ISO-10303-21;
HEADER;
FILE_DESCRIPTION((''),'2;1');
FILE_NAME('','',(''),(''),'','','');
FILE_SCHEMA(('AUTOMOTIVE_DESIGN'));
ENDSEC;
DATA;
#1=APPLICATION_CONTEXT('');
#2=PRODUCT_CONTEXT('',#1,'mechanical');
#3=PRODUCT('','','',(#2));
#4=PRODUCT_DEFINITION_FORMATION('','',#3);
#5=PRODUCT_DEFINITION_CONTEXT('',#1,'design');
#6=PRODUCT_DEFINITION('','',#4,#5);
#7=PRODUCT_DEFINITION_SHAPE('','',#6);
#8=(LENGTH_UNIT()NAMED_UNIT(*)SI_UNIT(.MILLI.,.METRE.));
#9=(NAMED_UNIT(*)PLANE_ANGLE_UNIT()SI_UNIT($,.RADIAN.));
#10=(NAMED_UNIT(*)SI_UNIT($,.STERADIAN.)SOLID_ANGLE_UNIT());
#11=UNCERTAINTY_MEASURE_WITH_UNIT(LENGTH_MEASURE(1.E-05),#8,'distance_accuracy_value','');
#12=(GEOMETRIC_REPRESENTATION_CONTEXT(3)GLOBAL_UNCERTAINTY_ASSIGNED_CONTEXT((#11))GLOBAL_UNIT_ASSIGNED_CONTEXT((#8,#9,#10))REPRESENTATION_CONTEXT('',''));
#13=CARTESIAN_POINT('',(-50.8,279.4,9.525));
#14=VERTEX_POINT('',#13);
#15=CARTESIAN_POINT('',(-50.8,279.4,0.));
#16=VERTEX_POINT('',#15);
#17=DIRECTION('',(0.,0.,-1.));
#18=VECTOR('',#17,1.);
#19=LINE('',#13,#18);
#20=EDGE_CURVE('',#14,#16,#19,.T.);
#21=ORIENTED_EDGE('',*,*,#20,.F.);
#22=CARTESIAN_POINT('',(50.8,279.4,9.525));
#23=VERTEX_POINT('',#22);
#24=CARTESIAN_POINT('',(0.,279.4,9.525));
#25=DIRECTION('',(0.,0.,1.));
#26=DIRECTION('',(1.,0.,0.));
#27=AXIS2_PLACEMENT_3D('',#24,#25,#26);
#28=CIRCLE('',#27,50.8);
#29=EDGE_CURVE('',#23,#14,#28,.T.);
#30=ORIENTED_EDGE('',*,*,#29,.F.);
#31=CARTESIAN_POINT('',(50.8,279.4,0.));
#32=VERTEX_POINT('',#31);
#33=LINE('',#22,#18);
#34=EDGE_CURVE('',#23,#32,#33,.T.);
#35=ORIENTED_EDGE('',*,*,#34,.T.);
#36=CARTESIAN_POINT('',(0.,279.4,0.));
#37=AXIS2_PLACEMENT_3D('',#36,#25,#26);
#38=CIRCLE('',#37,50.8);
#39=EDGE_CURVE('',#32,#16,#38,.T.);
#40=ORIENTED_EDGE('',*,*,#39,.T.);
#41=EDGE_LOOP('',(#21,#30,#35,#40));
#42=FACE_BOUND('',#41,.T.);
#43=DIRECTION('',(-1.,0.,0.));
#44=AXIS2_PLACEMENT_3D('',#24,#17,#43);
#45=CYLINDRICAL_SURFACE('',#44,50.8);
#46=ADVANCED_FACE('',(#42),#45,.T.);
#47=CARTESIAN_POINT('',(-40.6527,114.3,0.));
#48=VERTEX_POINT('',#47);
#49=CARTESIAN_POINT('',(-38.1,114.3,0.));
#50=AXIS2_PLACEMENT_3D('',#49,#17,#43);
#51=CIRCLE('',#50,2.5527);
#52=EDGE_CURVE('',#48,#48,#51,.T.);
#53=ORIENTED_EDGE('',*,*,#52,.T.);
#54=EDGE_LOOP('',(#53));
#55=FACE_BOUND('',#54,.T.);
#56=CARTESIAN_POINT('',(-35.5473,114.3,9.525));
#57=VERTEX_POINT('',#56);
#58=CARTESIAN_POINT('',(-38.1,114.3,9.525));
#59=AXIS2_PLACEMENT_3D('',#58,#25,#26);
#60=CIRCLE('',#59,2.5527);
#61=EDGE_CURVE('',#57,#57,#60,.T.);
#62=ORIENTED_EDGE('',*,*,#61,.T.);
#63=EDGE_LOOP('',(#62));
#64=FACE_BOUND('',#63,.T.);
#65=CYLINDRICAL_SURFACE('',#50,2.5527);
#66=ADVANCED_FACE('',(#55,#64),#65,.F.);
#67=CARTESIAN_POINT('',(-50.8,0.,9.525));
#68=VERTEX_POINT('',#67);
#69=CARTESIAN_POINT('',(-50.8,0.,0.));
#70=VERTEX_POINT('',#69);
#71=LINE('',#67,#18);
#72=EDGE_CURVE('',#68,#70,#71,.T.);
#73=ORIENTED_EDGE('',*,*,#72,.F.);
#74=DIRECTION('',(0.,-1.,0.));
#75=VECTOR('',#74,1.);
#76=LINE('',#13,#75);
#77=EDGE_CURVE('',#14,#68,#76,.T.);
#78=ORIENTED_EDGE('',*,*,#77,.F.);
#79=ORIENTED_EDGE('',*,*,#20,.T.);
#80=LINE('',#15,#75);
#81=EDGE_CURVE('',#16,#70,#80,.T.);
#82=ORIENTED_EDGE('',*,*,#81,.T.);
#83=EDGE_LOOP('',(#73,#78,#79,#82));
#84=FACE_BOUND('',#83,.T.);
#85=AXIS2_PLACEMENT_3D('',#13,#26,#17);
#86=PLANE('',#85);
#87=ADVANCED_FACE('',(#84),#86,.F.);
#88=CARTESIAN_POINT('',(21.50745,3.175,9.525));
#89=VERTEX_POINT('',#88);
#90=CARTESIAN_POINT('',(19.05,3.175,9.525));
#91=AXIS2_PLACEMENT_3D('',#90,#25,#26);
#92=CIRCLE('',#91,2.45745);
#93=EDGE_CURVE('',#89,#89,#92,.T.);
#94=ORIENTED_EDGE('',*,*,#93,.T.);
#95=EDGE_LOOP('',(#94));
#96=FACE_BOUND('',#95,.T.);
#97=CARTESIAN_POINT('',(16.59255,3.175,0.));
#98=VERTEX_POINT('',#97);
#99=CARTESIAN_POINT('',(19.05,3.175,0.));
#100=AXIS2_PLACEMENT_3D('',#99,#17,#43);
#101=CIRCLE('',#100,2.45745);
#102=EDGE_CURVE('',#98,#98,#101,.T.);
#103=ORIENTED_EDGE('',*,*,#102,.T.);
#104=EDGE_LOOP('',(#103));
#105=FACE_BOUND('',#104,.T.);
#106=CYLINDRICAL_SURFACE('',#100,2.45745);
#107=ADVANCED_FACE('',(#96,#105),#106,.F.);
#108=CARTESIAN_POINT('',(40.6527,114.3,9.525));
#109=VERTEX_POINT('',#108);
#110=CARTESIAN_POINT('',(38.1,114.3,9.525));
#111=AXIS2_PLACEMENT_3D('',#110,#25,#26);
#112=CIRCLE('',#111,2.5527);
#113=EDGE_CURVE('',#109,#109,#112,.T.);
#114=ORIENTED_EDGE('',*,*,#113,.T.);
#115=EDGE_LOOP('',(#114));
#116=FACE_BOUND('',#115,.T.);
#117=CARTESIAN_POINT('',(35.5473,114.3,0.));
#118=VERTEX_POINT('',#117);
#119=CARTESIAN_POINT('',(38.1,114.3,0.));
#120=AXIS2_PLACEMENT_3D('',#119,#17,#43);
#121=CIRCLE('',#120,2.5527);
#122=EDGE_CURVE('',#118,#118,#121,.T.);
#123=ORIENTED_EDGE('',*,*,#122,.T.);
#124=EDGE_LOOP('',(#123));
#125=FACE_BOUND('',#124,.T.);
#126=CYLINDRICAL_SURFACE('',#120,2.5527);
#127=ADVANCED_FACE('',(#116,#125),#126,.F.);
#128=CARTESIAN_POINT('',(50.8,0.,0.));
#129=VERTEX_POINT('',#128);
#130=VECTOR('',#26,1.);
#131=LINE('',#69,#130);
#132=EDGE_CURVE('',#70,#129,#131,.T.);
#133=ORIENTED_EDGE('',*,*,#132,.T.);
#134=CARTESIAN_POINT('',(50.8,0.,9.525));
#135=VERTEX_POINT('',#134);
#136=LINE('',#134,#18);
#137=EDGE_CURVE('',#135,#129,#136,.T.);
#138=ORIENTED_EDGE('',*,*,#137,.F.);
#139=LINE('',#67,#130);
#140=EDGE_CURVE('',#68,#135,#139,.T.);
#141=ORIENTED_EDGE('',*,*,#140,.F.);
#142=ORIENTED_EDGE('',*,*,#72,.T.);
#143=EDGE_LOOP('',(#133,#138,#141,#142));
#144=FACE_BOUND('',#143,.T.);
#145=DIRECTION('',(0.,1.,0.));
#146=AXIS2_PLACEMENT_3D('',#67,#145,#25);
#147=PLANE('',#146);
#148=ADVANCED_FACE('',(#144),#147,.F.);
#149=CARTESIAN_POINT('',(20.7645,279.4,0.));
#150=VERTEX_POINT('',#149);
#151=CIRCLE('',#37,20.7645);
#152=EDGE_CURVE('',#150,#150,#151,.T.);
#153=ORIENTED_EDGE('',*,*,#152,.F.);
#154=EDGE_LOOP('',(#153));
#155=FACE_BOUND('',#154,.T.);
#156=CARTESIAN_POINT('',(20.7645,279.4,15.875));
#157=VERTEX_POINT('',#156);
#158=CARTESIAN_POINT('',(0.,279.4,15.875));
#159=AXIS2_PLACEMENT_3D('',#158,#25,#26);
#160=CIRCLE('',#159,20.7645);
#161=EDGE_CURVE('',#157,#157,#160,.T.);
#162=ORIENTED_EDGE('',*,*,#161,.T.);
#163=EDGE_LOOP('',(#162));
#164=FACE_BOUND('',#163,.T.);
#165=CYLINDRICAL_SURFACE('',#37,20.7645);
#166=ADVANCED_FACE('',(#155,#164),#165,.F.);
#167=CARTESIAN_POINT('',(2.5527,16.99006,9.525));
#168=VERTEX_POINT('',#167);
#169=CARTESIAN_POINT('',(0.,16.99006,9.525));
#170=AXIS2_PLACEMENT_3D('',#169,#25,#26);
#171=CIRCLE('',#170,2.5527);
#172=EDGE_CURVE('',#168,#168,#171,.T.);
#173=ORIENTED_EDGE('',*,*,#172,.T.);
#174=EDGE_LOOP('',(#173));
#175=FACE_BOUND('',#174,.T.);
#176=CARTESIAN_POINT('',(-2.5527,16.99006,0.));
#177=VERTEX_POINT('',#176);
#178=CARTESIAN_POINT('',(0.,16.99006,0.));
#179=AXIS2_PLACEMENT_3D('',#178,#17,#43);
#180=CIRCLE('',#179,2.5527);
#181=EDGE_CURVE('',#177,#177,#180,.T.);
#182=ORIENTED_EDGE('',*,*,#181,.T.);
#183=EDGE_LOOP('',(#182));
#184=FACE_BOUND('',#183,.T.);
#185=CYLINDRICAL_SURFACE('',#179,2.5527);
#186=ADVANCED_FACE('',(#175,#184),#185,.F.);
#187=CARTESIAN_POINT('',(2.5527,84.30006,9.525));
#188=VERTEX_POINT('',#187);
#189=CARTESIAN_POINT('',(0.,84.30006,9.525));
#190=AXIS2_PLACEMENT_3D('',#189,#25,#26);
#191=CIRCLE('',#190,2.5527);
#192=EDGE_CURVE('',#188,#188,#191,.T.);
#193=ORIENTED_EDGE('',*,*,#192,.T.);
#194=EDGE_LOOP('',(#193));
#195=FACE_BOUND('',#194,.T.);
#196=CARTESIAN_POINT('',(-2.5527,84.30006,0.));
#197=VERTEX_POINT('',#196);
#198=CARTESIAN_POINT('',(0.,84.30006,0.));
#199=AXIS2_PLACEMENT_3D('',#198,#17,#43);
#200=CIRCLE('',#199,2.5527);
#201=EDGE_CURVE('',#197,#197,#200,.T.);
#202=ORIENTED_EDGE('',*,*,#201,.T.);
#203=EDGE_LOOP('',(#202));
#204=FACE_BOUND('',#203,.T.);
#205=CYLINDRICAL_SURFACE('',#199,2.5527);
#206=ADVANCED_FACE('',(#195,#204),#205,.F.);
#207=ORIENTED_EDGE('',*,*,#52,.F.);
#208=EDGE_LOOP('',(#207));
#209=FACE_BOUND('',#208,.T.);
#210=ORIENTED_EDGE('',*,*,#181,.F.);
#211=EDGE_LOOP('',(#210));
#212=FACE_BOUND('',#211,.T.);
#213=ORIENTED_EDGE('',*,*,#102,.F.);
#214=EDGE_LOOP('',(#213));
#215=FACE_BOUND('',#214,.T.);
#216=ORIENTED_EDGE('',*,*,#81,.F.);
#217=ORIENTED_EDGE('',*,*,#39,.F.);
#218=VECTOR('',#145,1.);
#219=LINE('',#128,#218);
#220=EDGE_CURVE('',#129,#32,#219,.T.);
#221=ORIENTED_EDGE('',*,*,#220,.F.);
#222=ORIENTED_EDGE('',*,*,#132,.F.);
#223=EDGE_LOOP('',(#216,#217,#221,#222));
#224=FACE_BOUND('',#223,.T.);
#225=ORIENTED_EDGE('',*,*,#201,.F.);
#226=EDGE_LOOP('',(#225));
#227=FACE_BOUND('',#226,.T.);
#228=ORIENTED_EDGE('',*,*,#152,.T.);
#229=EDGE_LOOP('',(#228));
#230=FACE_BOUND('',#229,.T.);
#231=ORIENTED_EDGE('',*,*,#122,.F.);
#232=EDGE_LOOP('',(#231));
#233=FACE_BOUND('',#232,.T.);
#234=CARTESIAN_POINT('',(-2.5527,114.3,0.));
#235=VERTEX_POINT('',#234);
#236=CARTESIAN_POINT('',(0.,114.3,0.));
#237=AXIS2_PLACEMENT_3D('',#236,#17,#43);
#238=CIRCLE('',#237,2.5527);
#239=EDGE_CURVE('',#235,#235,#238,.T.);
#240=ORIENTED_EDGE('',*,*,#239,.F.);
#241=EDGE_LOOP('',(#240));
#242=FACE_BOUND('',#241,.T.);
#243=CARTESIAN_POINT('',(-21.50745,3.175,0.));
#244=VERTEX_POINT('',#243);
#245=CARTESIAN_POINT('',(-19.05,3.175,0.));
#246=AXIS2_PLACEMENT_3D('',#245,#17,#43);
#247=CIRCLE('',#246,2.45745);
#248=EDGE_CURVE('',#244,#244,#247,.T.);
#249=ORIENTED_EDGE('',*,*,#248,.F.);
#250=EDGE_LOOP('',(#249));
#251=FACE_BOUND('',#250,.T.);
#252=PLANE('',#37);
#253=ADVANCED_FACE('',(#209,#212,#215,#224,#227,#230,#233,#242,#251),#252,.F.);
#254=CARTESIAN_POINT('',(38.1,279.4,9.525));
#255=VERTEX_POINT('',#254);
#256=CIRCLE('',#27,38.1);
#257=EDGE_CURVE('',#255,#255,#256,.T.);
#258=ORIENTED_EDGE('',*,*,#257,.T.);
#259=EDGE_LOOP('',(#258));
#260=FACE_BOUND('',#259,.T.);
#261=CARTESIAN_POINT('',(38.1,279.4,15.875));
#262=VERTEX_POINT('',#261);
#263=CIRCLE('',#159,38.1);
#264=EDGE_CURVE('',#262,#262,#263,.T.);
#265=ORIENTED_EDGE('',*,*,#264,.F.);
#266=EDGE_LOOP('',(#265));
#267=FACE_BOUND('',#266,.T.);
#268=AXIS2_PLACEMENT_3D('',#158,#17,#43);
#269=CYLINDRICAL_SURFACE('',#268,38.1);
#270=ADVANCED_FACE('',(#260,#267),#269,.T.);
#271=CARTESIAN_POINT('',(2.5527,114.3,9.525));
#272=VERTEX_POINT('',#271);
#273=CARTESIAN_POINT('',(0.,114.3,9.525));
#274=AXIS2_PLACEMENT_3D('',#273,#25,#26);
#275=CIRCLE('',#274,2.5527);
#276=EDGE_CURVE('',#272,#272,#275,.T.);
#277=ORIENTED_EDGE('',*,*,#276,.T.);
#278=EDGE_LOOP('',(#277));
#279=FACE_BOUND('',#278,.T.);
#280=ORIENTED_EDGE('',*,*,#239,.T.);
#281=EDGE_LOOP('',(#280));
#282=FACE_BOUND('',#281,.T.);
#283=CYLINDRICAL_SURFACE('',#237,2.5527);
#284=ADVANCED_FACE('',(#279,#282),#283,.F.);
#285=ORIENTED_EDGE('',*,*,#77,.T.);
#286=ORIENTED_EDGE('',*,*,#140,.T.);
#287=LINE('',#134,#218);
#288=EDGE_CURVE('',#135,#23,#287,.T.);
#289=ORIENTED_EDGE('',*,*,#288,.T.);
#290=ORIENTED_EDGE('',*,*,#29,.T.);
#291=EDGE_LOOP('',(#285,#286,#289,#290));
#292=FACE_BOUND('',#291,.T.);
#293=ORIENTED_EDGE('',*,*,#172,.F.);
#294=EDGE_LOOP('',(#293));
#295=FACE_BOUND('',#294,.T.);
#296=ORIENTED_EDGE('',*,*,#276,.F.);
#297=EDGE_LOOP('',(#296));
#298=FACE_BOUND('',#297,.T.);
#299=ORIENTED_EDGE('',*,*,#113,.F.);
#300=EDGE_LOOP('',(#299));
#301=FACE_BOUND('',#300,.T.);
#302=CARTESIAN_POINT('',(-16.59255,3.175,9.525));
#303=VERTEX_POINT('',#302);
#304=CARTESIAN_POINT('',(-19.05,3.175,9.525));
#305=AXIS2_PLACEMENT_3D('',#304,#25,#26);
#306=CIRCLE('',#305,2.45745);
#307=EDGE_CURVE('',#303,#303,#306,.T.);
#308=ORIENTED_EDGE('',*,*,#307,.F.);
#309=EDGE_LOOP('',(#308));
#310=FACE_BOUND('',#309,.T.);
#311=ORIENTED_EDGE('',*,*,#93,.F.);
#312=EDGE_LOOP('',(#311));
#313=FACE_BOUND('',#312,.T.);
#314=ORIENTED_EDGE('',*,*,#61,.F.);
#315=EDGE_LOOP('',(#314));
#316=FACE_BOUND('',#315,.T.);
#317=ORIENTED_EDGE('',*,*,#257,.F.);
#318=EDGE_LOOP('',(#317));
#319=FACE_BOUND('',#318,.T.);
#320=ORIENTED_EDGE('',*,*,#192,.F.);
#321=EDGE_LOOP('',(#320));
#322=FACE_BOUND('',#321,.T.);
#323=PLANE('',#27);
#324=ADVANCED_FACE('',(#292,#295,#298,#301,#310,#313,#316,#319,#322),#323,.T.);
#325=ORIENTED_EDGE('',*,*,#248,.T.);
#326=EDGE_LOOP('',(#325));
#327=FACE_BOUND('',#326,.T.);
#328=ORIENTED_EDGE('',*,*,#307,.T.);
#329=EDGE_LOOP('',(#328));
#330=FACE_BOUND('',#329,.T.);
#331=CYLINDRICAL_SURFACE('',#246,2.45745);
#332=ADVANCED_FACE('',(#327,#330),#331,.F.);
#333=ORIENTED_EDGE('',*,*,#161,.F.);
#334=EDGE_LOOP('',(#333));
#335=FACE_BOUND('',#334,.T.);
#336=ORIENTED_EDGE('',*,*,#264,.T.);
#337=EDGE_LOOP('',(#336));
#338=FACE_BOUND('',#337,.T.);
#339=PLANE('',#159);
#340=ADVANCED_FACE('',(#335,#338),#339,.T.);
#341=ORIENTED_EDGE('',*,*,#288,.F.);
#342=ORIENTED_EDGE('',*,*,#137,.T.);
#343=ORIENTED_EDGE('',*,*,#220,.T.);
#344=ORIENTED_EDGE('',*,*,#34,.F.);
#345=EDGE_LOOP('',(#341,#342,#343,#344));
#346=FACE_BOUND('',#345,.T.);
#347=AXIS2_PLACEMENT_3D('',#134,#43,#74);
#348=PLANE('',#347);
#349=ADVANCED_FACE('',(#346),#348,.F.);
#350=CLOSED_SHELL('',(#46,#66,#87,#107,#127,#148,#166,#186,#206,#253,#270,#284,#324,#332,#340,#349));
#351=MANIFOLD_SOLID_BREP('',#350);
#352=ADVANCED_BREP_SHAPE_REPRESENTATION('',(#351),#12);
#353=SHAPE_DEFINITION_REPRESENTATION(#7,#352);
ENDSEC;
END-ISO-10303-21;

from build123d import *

# Parameters (mm, degrees)
BOSS_EXTRUDE1_DEPTH              = 9.525
SKETCH2_R                        = 38.1
BOSS_EXTRUDE2_DEPTH              = 6.35
SKETCH3_R                        = 20.7645
CUT_EXTRUDE1_DEPTH               = 335.461799949
F_10_0_1935_DIAMETER_HOLE1_D     = 4.9149
F_10_0_1935_DIAMETER_HOLE1_DEPTH = 10.16
F_10_0_1935_DIAMETER_HOLE1_TIP   = 1.476584928
F_10_CLEARANCE_HOLE1_D           = 5.1054


with BuildPart() as part:
    # Sketch1 → Boss-Extrude1 (new body)
    with BuildSketch(Plane.XY):
        with BuildLine():
            Line((-50.8, 0), (50.8, 0))
            Line((50.8, 0), (50.8, 279.4))
            ThreePointArc((50.8, 279.4), (0, 330.2), (-50.8, 279.4))
            Line((-50.8, 279.4), (-50.8, 0))
        make_face()
    extrude(amount=BOSS_EXTRUDE1_DEPTH)

    # Sketch2 → Boss-Extrude2 (add)
    with BuildSketch(Plane.XY.offset(9.525)):
        with Locations((0, 279.4)):
            Circle(SKETCH2_R)
    extrude(amount=BOSS_EXTRUDE2_DEPTH)

    # Sketch3 → Cut-Extrude1 (cut, through all)
    with BuildSketch(Plane.XY.offset(15.875)):
        with Locations((0, 279.4)):
            Circle(SKETCH3_R)
    extrude(amount=-CUT_EXTRUDE1_DEPTH, mode=Mode.SUBTRACT)

    # #10 (0.1935) Diameter Hole1
    with Locations(Plane(origin=(0, 0, 0), x_dir=(-1, 0, 0), z_dir=(0, 0, -1))):
        with Locations((-19.05, 3.175), (19.05, 3.175)):
            Hole(F_10_0_1935_DIAMETER_HOLE1_D / 2, depth=F_10_0_1935_DIAMETER_HOLE1_DEPTH)
            with Locations((0, 0, -(F_10_0_1935_DIAMETER_HOLE1_DEPTH + F_10_0_1935_DIAMETER_HOLE1_TIP / 2))):  # 118° drill point
                Cone(0, F_10_0_1935_DIAMETER_HOLE1_D / 2, F_10_0_1935_DIAMETER_HOLE1_TIP, mode=Mode.SUBTRACT)

    # #10 Clearance Hole1 (through all)
    with Locations(Plane(origin=(0, 0, 0), x_dir=(-1, 0, 0), z_dir=(0, 0, -1))):
        with Locations((0, 84.30006), (0, 16.99006), (-38.1, 114.3), (0, 114.3), (38.1, 114.3)):
            Hole(F_10_CLEARANCE_HOLE1_D / 2)


solid = part.part
